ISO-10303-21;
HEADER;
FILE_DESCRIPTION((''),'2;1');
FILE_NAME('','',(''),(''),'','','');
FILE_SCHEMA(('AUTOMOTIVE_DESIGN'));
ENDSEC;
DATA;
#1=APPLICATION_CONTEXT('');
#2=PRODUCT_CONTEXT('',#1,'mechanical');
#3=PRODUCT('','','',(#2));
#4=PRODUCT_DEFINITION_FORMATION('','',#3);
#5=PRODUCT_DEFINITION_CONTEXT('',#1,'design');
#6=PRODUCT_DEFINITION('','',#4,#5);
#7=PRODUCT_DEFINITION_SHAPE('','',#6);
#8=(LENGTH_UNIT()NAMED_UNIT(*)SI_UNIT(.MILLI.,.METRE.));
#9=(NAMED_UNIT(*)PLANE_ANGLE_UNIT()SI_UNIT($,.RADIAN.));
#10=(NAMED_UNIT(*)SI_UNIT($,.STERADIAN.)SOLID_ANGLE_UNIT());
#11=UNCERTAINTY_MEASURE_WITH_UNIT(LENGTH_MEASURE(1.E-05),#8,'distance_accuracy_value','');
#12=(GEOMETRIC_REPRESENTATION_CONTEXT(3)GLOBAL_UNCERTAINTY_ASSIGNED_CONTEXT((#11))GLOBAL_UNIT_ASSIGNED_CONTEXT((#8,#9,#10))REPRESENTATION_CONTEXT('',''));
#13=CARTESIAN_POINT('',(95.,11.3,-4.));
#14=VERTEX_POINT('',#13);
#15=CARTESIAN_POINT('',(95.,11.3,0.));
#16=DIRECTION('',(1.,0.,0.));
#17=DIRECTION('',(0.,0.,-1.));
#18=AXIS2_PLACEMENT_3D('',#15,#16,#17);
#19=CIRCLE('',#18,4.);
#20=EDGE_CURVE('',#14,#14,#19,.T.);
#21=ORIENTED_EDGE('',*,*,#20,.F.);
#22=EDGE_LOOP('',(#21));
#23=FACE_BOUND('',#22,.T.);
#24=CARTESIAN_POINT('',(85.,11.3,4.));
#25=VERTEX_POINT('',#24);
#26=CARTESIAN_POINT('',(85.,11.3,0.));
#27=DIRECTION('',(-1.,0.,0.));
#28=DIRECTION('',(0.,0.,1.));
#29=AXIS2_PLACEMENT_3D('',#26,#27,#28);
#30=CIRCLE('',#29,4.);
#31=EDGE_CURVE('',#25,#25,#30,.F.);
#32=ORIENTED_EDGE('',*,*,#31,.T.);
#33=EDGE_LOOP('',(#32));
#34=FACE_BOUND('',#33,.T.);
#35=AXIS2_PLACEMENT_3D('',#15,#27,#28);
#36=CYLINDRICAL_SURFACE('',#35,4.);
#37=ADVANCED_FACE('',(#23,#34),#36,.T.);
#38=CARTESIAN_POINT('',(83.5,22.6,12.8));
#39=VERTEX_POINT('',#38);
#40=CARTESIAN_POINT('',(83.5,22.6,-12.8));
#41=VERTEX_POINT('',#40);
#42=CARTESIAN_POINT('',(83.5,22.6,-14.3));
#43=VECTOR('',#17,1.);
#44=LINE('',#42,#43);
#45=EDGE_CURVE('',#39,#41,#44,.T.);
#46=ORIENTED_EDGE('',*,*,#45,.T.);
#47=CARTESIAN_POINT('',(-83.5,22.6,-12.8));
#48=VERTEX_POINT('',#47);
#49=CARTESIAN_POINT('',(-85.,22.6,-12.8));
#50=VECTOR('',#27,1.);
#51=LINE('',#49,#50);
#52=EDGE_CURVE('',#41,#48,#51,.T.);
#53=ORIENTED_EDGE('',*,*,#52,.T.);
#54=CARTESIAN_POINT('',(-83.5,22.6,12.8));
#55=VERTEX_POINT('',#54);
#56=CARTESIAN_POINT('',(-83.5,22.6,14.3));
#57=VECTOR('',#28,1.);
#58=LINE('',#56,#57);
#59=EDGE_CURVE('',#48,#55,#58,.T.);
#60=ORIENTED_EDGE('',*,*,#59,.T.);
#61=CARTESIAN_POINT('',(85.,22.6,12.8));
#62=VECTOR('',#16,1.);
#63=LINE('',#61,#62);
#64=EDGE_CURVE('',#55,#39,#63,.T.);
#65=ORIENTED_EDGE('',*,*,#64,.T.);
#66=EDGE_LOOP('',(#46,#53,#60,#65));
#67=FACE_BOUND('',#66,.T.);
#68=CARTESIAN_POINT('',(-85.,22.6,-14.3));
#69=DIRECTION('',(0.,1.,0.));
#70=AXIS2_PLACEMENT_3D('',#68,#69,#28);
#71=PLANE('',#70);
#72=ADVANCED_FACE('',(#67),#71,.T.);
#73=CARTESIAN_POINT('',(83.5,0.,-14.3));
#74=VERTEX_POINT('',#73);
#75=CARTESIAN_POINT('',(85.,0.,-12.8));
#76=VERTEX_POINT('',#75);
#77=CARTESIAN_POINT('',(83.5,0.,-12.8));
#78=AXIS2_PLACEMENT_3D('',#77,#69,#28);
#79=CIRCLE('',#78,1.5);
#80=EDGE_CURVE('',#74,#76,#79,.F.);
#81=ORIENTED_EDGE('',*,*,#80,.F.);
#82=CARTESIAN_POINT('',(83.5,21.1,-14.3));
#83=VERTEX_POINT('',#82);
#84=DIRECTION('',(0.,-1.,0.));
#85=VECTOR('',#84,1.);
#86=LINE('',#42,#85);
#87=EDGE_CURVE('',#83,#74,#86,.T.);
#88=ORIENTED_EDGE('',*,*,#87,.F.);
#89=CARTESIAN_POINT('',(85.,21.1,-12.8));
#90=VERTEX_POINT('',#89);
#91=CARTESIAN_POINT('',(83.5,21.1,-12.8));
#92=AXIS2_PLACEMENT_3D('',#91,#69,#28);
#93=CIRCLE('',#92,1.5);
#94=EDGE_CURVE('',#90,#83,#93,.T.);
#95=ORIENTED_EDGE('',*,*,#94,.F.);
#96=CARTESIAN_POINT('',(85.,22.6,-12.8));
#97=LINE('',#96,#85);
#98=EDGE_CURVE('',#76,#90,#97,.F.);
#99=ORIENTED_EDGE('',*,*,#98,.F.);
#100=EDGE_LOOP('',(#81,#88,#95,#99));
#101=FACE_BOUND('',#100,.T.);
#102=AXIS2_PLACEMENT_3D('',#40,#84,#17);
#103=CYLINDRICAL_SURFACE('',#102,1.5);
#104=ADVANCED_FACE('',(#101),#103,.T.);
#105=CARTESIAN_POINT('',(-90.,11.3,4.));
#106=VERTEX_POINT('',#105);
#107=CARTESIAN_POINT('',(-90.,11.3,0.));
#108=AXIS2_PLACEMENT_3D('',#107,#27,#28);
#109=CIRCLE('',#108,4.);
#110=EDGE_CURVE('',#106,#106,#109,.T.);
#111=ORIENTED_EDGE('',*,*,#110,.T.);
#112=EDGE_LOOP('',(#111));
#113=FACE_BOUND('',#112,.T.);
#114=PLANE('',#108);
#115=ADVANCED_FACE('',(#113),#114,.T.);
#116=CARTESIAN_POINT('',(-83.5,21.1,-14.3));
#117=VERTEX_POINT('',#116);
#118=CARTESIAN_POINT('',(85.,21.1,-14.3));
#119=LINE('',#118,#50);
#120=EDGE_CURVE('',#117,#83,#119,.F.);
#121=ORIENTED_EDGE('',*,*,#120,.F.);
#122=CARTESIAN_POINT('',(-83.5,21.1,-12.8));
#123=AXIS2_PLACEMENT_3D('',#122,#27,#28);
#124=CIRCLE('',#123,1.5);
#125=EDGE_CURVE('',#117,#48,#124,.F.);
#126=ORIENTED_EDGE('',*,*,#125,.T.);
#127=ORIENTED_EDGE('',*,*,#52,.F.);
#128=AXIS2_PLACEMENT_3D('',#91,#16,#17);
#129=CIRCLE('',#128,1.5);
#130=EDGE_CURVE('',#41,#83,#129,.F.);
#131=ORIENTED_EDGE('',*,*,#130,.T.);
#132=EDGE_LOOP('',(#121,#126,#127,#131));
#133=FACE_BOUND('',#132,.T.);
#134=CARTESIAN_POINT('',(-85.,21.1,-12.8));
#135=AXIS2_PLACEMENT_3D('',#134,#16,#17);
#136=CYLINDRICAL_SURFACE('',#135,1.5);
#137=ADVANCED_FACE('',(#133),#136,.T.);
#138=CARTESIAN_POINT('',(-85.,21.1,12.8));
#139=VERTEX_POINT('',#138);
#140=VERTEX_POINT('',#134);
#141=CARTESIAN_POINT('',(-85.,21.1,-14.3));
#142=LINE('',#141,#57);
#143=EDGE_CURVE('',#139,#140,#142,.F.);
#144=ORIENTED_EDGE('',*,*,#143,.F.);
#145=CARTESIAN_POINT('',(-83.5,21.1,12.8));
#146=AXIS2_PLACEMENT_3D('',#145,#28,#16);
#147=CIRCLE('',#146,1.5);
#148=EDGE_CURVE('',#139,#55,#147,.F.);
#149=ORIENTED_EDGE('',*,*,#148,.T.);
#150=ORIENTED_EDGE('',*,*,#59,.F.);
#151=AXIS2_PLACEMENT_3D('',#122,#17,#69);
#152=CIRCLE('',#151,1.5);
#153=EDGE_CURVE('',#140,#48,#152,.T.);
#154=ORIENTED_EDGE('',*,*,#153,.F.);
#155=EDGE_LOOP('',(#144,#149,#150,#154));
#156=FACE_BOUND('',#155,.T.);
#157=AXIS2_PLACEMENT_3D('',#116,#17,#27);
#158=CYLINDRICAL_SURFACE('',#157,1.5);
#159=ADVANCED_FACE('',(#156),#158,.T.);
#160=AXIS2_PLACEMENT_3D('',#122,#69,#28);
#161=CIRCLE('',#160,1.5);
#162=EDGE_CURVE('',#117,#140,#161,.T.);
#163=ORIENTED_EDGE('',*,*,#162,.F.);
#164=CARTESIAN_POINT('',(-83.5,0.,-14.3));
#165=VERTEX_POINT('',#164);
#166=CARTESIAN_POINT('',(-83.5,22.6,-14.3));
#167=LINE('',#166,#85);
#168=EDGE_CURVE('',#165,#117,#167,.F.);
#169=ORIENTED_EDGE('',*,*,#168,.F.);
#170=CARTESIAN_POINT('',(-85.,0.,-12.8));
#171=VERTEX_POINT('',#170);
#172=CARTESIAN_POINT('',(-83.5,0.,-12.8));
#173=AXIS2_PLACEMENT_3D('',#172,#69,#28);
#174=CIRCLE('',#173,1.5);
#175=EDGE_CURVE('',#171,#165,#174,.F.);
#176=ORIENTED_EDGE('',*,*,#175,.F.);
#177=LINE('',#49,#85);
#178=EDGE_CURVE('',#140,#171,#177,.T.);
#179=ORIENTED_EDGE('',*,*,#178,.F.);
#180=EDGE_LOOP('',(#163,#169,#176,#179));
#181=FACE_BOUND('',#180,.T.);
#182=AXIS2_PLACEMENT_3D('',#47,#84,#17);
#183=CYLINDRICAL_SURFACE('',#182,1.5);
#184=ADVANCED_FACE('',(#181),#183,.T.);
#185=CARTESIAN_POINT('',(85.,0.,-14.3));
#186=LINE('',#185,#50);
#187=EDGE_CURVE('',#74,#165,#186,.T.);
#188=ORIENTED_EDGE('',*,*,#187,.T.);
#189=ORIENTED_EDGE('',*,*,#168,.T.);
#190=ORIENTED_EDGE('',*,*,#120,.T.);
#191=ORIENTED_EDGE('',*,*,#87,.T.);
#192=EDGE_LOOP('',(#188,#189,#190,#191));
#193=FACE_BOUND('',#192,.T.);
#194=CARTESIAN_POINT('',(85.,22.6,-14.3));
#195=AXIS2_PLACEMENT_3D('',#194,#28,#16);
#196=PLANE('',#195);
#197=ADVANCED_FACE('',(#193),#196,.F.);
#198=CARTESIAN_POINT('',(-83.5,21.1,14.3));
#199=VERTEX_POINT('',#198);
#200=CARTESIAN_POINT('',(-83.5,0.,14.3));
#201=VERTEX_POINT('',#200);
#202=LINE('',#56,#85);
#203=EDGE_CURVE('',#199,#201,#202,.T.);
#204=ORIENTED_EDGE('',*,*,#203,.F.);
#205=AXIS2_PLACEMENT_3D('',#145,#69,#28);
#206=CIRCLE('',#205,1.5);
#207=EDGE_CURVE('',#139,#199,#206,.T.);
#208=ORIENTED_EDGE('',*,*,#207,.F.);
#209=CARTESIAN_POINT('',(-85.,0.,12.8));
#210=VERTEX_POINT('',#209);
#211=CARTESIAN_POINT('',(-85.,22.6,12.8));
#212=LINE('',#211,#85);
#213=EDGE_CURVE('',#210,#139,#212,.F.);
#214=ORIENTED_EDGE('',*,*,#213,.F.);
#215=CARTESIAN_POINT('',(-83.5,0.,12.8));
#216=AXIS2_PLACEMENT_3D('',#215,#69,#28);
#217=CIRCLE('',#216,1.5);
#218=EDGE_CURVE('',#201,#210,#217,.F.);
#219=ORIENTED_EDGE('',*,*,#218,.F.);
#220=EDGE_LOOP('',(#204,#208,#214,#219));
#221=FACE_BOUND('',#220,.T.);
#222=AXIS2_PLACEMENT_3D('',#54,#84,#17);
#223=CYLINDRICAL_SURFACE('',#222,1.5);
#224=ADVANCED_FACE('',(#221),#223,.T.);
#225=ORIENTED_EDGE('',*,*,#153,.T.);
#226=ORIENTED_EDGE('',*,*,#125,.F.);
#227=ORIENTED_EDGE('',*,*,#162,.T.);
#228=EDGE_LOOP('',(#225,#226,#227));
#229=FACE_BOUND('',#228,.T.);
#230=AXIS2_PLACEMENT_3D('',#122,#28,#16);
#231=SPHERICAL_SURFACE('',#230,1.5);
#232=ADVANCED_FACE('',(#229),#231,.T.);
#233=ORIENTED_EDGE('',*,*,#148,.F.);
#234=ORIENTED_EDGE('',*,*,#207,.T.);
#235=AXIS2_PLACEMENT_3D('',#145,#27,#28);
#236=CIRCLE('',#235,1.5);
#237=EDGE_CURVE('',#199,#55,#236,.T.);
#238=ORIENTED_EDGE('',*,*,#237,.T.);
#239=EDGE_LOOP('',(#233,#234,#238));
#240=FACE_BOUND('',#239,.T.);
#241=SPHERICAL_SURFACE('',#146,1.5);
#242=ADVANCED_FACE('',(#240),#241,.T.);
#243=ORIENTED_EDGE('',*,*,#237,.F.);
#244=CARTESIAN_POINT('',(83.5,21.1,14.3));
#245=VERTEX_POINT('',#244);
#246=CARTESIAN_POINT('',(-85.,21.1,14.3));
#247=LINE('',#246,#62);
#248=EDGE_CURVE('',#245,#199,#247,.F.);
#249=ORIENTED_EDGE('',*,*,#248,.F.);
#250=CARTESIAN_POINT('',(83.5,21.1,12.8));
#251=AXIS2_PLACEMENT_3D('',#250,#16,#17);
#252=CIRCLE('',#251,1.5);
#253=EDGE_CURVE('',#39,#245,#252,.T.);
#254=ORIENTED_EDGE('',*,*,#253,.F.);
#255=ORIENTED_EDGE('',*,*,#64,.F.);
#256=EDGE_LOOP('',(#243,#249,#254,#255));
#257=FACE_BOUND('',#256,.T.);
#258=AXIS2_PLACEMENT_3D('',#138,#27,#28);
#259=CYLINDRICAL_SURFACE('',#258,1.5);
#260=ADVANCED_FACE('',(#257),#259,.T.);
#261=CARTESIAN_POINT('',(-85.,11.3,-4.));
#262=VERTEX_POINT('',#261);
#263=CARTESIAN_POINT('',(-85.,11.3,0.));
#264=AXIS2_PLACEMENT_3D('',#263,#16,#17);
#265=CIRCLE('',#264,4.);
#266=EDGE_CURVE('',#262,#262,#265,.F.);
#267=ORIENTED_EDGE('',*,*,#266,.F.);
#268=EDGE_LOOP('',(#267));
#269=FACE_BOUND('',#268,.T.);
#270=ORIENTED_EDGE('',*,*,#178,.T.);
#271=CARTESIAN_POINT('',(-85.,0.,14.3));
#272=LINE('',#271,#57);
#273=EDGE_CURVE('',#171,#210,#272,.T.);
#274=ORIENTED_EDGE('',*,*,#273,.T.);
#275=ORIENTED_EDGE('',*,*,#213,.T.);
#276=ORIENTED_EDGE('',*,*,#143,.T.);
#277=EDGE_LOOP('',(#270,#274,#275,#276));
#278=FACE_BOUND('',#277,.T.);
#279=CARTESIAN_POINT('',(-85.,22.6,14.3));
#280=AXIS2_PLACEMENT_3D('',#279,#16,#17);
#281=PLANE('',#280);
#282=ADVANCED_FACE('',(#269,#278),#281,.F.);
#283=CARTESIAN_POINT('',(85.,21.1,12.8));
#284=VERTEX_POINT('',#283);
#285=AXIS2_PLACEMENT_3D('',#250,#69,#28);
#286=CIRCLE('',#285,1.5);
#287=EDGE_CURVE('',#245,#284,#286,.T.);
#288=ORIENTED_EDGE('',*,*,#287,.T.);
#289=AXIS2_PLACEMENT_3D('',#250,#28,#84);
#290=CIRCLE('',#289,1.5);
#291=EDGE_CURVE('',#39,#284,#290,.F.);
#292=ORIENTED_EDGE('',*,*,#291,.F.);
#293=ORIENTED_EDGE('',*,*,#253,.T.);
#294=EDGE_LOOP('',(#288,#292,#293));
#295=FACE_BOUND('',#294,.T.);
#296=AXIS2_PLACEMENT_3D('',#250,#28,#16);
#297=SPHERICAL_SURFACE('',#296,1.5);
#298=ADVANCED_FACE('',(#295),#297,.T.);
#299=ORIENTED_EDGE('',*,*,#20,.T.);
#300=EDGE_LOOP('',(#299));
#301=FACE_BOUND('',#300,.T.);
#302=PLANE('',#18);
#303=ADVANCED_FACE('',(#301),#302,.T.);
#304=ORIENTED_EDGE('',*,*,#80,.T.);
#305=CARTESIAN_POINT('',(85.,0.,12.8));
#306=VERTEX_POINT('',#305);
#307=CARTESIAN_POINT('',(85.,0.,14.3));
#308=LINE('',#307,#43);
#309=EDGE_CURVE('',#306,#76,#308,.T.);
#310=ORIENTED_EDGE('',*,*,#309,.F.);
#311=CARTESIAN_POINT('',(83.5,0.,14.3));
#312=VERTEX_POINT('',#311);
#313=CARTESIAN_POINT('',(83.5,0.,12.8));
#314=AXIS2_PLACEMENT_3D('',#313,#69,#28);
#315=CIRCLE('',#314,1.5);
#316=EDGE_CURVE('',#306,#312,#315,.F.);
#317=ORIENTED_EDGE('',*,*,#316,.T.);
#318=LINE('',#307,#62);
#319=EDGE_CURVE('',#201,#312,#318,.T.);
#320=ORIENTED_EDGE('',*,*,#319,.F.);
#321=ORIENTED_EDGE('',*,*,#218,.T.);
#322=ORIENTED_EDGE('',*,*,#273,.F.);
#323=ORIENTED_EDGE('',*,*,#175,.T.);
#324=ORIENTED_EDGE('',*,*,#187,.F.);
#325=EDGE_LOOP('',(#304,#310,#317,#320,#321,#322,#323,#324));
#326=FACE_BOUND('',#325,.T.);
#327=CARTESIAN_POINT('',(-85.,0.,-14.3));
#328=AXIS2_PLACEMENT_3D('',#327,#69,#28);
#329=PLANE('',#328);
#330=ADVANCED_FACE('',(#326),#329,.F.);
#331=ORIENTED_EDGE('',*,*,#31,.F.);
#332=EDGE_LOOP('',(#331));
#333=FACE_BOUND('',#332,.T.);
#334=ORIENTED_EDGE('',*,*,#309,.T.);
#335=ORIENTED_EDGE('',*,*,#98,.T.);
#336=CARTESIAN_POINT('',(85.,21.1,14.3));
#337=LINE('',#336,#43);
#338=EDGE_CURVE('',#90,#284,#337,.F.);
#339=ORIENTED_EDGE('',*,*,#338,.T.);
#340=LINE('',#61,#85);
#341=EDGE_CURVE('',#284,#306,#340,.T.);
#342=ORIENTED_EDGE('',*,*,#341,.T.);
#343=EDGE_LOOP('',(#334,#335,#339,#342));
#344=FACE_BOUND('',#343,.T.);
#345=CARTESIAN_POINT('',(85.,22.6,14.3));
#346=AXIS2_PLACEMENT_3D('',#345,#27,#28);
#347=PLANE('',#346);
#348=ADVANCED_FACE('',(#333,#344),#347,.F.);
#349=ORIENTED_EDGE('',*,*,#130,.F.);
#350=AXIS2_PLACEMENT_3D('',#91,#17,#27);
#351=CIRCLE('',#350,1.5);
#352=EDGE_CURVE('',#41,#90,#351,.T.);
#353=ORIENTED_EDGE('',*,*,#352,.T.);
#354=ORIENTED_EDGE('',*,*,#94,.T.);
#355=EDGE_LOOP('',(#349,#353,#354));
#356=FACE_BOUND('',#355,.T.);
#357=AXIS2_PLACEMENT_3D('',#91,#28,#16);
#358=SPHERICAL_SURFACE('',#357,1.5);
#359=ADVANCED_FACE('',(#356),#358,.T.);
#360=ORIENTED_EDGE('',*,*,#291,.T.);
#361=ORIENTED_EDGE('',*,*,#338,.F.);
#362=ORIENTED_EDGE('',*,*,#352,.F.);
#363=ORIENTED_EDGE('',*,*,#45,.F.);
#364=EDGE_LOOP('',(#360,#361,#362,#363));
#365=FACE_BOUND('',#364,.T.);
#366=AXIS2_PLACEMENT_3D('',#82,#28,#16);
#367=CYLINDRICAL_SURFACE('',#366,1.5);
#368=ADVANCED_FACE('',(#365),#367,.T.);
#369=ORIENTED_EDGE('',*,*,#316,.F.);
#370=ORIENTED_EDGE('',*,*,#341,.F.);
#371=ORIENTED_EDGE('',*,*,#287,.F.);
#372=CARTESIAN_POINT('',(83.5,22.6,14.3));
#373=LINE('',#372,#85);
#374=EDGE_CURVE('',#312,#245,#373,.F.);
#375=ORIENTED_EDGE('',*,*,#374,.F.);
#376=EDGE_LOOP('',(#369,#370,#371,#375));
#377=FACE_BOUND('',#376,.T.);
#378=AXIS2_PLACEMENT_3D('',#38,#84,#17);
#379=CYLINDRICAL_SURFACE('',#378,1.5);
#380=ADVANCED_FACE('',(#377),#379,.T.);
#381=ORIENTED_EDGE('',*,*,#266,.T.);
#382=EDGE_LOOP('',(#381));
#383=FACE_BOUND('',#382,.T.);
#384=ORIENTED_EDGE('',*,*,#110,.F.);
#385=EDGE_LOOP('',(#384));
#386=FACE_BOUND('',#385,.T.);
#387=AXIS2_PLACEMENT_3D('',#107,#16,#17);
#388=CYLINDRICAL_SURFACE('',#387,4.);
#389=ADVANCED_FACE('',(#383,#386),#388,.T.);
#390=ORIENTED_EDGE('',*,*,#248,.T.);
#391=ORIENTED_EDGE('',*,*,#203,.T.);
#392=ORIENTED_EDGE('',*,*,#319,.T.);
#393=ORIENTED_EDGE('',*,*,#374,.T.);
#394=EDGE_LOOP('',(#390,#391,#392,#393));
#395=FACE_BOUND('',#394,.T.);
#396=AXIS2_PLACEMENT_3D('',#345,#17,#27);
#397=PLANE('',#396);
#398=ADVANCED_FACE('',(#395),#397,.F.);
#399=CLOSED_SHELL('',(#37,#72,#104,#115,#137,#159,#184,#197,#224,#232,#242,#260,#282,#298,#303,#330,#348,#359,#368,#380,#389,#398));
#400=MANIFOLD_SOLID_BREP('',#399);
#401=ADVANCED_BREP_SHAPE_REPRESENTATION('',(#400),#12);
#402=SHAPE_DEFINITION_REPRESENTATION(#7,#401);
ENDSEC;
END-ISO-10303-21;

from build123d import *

# Parameters (mm, degrees)
SKETCH1_W           = 170
SKETCH1_H           = 28.6
BOSS_EXTRUDE1_DEPTH = 22.6
SKETCH2_R           = 4
BOSS_EXTRUDE2_DEPTH = 10
SKETCH3_R           = 4
BOSS_EXTRUDE3_DEPTH = 5
FILLET1_R           = 1.5


with BuildPart() as part:
    # Sketch1 → Boss-Extrude1 (new body)
    with BuildSketch(Plane(origin=(0, 0, 0), x_dir=(1, 0, 0), z_dir=(0, 1, 0))):
        Rectangle(SKETCH1_W, SKETCH1_H)
    extrude(amount=BOSS_EXTRUDE1_DEPTH)

    # Sketch2 → Boss-Extrude2 (add)
    with BuildSketch(Plane(origin=(85, 0, 0), x_dir=(0, 0, -1), z_dir=(1, 0, 0))):
        with Locations((0, 11.3)):
            Circle(SKETCH2_R)
    extrude(amount=BOSS_EXTRUDE2_DEPTH)

    # Sketch3 → Boss-Extrude3 (add)
    with BuildSketch(Plane.ZY.offset(85)):
        with Locations((0, 11.3)):
            Circle(SKETCH3_R)
    extrude(amount=BOSS_EXTRUDE3_DEPTH)

    # Fillet1
    fillet1_edges = [part.edges().sort_by_distance(p)[0] for p in [
        (85, 22.6, 0),
        (0, 22.6, -14.3),
        (-85, 22.6, 0),
        (0, 22.6, 14.3),
        (-85, 11.3, -14.3),
        (85, 11.3, -14.3),
        (85, 11.3, 14.3),
        (-85, 11.3, 14.3),
    ]]
    fillet(fillet1_edges, radius=FILLET1_R)


solid = part.part
